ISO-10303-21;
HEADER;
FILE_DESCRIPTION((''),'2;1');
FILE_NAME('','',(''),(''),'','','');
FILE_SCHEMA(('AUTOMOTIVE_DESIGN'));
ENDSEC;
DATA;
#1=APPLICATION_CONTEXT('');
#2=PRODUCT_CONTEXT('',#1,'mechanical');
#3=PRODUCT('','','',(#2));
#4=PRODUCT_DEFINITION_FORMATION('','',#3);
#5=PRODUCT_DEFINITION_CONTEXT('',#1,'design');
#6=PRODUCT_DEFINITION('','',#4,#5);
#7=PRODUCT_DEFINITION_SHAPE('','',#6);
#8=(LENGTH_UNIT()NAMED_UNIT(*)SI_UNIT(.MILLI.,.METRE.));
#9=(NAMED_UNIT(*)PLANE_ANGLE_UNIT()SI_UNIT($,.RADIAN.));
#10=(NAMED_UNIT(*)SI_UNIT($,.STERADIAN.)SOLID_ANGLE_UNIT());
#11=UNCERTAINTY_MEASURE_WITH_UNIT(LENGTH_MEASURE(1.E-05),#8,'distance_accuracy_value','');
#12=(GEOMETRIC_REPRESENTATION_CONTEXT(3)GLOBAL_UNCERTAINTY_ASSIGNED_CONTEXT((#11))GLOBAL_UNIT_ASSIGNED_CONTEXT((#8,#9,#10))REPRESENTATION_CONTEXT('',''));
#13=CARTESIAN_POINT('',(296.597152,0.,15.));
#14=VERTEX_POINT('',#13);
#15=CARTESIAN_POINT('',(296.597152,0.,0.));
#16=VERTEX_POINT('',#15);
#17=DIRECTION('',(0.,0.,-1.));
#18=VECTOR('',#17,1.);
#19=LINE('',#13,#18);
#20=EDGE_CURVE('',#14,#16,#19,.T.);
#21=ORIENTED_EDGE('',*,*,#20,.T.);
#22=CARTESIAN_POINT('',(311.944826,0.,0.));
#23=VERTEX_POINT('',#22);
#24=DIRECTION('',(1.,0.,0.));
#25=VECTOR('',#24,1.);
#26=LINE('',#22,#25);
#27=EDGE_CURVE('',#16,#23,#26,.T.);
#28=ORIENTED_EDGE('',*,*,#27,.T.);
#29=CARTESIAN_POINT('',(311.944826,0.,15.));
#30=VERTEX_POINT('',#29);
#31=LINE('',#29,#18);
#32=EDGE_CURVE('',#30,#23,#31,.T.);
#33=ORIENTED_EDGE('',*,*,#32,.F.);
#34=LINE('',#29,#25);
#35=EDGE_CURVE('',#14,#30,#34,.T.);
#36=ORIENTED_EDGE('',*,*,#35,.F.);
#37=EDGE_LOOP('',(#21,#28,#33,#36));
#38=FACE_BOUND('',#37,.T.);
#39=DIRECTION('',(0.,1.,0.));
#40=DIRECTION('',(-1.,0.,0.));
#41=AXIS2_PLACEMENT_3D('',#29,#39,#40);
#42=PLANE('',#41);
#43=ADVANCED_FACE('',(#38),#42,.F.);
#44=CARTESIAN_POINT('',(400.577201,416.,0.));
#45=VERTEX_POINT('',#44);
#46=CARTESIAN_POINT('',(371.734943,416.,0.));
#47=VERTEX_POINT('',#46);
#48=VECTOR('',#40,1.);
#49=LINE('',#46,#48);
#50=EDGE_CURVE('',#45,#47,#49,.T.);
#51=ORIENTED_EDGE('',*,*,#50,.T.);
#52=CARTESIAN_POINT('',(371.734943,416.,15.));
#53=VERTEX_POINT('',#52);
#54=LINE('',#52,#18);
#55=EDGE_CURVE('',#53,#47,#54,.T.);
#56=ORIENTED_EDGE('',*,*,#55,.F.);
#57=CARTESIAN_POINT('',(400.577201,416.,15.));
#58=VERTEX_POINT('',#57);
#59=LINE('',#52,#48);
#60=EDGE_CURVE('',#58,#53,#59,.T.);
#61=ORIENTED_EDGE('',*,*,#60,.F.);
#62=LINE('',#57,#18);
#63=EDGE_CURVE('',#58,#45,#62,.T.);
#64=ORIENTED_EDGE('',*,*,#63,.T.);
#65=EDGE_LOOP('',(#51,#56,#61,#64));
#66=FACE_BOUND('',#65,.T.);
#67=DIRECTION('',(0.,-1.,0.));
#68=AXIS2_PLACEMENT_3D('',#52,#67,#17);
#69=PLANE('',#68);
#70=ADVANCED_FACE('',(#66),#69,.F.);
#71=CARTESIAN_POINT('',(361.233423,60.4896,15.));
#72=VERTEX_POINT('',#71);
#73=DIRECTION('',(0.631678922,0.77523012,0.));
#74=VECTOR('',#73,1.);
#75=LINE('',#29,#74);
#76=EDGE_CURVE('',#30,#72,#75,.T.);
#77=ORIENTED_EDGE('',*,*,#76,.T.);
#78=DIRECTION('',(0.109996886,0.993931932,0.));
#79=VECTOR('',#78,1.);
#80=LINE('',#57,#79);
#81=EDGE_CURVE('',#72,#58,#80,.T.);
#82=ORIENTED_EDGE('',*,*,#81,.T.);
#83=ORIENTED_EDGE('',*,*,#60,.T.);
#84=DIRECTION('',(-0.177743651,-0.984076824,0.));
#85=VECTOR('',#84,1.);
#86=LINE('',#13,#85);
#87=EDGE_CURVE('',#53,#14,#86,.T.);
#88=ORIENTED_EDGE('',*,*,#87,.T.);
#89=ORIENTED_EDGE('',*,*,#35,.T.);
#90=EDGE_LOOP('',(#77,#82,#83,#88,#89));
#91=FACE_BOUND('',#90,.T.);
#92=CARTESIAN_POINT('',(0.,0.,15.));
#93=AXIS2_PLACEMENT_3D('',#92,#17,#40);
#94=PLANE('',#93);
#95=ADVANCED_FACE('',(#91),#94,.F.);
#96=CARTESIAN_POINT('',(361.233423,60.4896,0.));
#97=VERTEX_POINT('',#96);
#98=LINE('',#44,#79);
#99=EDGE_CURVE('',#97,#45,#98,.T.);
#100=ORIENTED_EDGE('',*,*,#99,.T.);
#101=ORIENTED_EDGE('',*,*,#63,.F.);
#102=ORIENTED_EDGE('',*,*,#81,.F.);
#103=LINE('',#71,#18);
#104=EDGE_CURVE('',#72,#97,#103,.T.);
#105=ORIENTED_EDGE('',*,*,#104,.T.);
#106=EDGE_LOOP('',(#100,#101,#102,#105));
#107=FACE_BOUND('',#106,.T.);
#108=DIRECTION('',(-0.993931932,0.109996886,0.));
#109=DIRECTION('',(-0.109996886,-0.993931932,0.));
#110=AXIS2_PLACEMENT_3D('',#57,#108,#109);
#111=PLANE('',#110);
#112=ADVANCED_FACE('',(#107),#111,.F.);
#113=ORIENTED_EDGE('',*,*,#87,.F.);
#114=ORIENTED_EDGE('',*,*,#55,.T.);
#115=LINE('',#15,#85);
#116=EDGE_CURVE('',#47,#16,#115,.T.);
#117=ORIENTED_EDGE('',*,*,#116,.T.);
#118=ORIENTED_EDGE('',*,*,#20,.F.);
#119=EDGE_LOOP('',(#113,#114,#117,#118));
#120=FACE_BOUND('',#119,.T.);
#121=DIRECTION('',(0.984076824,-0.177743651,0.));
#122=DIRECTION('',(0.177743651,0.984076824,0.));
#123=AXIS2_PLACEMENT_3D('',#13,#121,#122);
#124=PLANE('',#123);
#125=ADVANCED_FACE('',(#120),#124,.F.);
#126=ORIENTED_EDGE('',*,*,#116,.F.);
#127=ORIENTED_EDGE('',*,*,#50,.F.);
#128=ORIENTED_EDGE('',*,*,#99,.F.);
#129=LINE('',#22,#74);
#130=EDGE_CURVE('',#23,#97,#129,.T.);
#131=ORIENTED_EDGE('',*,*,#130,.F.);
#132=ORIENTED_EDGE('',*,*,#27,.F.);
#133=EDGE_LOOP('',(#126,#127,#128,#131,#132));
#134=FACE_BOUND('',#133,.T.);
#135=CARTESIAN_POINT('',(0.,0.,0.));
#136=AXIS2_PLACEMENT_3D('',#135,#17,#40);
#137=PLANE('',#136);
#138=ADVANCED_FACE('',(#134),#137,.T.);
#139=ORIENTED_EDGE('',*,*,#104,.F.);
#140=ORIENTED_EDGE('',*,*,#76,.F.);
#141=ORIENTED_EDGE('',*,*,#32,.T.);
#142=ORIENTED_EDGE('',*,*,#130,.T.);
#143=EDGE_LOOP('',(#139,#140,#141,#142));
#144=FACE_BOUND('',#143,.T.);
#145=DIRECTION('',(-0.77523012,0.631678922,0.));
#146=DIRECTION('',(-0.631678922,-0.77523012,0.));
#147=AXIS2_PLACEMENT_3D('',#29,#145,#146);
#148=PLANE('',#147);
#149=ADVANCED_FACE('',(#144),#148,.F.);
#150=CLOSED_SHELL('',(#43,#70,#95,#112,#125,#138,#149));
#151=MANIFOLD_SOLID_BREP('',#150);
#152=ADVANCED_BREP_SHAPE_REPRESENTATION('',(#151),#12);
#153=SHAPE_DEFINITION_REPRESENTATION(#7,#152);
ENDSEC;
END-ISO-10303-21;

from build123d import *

# Parameters (mm, degrees)
BOSS_EXTRUDE1_DEPTH = 15


with BuildPart() as part:
    # Sketch3 → Boss-Extrude1 (new body)
    with BuildSketch(Plane.XY):
        Polygon((400.577201165, 416), (361.233423479, 60.489600344), (311.944825715, 0), (296.597151769, 0), (371.734942748, 416), align=None)
    extrude(amount=BOSS_EXTRUDE1_DEPTH)


solid = part.part
